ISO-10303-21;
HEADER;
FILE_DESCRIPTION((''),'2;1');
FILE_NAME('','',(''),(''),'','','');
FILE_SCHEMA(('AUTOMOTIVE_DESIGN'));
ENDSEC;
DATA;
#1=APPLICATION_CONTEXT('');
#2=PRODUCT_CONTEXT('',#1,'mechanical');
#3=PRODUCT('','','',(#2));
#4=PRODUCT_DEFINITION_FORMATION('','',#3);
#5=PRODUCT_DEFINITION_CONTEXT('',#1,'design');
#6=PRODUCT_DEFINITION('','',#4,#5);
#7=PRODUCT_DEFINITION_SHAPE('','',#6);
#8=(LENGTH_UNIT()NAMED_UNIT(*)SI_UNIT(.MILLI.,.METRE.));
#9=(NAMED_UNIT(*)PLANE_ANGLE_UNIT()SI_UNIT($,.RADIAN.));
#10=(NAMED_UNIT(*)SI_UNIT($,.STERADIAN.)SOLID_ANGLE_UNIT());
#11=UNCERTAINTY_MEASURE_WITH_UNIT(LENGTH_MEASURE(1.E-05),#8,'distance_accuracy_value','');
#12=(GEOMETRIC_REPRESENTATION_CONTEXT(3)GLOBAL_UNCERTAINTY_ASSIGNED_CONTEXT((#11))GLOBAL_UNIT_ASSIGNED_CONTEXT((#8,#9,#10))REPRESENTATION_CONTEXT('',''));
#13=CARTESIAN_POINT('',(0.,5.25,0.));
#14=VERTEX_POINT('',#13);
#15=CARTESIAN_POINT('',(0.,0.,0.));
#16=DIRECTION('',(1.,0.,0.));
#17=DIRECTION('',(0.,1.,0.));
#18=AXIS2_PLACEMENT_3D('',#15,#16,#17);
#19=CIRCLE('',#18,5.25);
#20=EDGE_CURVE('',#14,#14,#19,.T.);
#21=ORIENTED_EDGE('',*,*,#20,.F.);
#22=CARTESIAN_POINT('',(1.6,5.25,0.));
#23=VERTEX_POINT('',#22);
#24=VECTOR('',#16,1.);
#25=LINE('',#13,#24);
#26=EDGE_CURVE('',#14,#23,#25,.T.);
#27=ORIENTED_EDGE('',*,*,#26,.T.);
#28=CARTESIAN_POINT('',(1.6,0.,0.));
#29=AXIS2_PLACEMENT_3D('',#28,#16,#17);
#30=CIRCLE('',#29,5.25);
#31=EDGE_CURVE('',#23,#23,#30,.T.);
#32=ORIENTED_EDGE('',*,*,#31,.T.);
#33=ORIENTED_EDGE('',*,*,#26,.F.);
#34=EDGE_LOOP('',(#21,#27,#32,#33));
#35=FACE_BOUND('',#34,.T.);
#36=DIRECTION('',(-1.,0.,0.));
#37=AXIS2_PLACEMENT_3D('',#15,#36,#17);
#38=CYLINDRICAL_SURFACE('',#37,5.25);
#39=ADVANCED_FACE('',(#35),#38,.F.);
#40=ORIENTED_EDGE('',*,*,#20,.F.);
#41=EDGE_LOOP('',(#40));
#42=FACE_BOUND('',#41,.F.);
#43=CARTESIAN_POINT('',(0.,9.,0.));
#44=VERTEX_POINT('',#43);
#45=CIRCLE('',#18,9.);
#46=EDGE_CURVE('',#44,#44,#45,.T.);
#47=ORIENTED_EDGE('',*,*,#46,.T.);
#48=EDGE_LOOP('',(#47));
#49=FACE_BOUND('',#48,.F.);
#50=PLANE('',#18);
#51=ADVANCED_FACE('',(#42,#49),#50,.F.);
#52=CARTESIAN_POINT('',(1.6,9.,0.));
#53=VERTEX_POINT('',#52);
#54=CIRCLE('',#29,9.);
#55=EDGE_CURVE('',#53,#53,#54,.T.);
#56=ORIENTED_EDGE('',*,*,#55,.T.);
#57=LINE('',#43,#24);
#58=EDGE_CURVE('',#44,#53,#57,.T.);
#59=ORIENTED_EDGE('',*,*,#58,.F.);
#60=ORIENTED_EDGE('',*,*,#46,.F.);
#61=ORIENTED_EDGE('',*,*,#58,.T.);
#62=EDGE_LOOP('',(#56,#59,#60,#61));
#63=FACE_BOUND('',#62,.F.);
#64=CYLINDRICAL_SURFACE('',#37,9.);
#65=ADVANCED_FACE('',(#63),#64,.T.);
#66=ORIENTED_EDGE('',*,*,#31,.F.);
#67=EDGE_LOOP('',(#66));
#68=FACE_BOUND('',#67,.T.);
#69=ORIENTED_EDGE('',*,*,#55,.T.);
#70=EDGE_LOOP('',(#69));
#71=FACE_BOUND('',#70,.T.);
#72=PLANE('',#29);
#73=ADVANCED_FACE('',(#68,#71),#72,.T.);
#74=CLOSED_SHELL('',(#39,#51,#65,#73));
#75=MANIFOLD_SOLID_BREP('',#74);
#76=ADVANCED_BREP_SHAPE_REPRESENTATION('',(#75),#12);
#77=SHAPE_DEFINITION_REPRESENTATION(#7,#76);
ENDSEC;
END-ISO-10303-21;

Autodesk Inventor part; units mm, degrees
ref_plane "YZ Plane" through (0, 0, 0) normal (1, 0, 0) x (0, 1, 0)
ref_plane "XZ Plane" through (0, 0, 0) normal (0, 1, 0) x (-1, 0, 0)
sketch "Szkic" plane through (0, 0, 0) normal (1, 0, 0) x (0, 1, 0)
  circle A0 centre (0, 0) radius 9
  circle A1 centre (0, 0) radius 5.25
  dimension "d0" = 10.5
  dimension "d1" = 18
extrude "Bryła" add sketch "Szkic" along normal blind 1.6
ref_plane "Work Plane1" through (0, 0, 0) normal (0, 0, 1) x (1, 0, 0)
equation "\"d0\" = SD1"
equation "\"d1\" = SD2"
equation "\"d2\" = SD"
equation "\"SD1\" = 10.5"
equation "\"SD2\" = 18"
equation "\"SD\" = 1.6"
properties part number "DIN 433 - 10,5" material "Stal, miękka"
